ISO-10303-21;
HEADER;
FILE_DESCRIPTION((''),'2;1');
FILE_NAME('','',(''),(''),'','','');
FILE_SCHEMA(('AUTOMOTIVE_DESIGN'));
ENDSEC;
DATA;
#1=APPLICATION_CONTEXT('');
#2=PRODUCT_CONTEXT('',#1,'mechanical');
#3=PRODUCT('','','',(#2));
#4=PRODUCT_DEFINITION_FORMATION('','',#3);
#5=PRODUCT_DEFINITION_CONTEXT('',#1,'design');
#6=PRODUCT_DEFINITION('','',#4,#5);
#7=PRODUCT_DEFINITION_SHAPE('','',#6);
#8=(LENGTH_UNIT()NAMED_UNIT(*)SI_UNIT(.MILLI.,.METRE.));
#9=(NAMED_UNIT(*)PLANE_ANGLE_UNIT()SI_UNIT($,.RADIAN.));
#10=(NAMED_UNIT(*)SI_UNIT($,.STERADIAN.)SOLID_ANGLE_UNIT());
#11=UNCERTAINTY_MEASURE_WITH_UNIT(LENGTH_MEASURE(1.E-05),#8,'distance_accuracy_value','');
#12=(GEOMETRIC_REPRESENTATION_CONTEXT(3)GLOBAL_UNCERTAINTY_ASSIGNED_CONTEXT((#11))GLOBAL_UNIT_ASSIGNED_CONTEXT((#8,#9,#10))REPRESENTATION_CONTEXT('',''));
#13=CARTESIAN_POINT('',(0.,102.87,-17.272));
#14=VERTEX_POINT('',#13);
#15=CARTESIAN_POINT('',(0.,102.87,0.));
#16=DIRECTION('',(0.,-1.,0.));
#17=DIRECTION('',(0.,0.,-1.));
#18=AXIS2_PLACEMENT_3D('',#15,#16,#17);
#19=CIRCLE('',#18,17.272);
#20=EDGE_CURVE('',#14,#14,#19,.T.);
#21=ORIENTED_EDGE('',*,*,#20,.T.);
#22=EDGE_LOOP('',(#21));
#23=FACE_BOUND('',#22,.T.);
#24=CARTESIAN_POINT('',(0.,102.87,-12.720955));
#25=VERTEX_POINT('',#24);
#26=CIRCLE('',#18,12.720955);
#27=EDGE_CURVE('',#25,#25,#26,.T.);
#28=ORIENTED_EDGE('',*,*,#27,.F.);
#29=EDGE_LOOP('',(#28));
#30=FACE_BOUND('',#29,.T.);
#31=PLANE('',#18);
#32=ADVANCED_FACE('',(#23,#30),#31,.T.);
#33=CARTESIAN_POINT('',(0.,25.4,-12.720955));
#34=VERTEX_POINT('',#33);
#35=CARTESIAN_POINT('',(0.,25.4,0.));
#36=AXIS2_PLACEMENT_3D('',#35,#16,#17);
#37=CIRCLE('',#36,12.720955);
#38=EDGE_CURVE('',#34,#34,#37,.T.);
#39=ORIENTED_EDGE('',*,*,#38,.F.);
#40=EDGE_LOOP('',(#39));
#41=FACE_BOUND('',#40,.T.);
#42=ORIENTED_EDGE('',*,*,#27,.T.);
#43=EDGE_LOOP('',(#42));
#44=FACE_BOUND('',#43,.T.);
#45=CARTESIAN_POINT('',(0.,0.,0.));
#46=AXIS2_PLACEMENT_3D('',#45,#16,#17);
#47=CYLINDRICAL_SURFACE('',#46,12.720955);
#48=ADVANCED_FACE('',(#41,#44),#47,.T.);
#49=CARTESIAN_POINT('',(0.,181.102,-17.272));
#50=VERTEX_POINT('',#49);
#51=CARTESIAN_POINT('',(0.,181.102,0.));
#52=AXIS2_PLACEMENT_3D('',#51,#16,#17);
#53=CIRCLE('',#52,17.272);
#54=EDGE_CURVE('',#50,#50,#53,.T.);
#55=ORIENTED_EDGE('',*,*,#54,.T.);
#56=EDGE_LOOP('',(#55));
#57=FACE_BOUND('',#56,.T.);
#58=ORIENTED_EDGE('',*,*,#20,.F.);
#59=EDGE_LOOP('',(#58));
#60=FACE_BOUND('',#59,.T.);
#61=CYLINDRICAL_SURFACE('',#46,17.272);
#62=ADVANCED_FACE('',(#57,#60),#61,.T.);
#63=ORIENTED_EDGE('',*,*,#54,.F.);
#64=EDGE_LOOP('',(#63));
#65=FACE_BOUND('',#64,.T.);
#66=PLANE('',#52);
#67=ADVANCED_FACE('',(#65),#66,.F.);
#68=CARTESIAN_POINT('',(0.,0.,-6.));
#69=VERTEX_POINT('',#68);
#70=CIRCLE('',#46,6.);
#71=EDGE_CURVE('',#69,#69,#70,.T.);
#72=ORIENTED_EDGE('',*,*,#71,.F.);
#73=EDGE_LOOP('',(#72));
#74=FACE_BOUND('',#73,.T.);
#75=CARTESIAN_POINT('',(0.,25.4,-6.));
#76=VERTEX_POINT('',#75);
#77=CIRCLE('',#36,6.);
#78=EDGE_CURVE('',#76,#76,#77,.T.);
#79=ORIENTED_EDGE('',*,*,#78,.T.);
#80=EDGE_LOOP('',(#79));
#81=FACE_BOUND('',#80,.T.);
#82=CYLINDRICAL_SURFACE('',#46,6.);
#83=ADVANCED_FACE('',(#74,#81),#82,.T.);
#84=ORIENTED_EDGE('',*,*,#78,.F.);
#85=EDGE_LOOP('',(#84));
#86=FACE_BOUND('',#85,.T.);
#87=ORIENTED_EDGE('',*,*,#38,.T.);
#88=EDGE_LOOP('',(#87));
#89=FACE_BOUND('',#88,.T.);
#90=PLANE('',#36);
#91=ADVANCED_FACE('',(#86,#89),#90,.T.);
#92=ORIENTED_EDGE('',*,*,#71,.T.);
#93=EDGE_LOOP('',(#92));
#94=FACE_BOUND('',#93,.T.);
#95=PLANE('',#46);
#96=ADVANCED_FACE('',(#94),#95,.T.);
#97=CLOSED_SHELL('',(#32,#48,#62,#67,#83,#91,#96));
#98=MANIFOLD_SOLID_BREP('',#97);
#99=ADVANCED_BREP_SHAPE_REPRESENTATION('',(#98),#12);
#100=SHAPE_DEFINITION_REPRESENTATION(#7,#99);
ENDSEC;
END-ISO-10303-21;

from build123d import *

# Parameters (mm, degrees)
SKETCH2_W   = 12.720955
SKETCH2_H   = 33.02
SKETCH2_W_2 = 5.999999938
SKETCH2_H_2 = 25.4


with BuildPart() as part:
    # Sketch2 → Revolve1 (revolve)
    with BuildSketch(Plane.XY, mode=Mode.PRIVATE) as revolve1_sk:
        with Locations((6.3604775, 86.36)):
            Rectangle(SKETCH2_W, SKETCH2_H)
        Polygon((0, 181.102), (0, 102.87), (12.720955, 102.87), (17.272, 102.87), (17.272, 181.102), align=None)
        Polygon((0, 69.85), (0, 25.4), (5.999999938, 25.4), (12.720955, 25.4), (12.720955, 69.85), align=None)
        with Locations((2.999999969, 12.7)):
            Rectangle(SKETCH2_W_2, SKETCH2_H_2)
    revolve(revolve1_sk.sketch.rotate(Axis((0, 0, 0), (0, 1, 0)), 90), axis=Axis((0, 0, 0), (0, 1, 0)))


solid = part.part
